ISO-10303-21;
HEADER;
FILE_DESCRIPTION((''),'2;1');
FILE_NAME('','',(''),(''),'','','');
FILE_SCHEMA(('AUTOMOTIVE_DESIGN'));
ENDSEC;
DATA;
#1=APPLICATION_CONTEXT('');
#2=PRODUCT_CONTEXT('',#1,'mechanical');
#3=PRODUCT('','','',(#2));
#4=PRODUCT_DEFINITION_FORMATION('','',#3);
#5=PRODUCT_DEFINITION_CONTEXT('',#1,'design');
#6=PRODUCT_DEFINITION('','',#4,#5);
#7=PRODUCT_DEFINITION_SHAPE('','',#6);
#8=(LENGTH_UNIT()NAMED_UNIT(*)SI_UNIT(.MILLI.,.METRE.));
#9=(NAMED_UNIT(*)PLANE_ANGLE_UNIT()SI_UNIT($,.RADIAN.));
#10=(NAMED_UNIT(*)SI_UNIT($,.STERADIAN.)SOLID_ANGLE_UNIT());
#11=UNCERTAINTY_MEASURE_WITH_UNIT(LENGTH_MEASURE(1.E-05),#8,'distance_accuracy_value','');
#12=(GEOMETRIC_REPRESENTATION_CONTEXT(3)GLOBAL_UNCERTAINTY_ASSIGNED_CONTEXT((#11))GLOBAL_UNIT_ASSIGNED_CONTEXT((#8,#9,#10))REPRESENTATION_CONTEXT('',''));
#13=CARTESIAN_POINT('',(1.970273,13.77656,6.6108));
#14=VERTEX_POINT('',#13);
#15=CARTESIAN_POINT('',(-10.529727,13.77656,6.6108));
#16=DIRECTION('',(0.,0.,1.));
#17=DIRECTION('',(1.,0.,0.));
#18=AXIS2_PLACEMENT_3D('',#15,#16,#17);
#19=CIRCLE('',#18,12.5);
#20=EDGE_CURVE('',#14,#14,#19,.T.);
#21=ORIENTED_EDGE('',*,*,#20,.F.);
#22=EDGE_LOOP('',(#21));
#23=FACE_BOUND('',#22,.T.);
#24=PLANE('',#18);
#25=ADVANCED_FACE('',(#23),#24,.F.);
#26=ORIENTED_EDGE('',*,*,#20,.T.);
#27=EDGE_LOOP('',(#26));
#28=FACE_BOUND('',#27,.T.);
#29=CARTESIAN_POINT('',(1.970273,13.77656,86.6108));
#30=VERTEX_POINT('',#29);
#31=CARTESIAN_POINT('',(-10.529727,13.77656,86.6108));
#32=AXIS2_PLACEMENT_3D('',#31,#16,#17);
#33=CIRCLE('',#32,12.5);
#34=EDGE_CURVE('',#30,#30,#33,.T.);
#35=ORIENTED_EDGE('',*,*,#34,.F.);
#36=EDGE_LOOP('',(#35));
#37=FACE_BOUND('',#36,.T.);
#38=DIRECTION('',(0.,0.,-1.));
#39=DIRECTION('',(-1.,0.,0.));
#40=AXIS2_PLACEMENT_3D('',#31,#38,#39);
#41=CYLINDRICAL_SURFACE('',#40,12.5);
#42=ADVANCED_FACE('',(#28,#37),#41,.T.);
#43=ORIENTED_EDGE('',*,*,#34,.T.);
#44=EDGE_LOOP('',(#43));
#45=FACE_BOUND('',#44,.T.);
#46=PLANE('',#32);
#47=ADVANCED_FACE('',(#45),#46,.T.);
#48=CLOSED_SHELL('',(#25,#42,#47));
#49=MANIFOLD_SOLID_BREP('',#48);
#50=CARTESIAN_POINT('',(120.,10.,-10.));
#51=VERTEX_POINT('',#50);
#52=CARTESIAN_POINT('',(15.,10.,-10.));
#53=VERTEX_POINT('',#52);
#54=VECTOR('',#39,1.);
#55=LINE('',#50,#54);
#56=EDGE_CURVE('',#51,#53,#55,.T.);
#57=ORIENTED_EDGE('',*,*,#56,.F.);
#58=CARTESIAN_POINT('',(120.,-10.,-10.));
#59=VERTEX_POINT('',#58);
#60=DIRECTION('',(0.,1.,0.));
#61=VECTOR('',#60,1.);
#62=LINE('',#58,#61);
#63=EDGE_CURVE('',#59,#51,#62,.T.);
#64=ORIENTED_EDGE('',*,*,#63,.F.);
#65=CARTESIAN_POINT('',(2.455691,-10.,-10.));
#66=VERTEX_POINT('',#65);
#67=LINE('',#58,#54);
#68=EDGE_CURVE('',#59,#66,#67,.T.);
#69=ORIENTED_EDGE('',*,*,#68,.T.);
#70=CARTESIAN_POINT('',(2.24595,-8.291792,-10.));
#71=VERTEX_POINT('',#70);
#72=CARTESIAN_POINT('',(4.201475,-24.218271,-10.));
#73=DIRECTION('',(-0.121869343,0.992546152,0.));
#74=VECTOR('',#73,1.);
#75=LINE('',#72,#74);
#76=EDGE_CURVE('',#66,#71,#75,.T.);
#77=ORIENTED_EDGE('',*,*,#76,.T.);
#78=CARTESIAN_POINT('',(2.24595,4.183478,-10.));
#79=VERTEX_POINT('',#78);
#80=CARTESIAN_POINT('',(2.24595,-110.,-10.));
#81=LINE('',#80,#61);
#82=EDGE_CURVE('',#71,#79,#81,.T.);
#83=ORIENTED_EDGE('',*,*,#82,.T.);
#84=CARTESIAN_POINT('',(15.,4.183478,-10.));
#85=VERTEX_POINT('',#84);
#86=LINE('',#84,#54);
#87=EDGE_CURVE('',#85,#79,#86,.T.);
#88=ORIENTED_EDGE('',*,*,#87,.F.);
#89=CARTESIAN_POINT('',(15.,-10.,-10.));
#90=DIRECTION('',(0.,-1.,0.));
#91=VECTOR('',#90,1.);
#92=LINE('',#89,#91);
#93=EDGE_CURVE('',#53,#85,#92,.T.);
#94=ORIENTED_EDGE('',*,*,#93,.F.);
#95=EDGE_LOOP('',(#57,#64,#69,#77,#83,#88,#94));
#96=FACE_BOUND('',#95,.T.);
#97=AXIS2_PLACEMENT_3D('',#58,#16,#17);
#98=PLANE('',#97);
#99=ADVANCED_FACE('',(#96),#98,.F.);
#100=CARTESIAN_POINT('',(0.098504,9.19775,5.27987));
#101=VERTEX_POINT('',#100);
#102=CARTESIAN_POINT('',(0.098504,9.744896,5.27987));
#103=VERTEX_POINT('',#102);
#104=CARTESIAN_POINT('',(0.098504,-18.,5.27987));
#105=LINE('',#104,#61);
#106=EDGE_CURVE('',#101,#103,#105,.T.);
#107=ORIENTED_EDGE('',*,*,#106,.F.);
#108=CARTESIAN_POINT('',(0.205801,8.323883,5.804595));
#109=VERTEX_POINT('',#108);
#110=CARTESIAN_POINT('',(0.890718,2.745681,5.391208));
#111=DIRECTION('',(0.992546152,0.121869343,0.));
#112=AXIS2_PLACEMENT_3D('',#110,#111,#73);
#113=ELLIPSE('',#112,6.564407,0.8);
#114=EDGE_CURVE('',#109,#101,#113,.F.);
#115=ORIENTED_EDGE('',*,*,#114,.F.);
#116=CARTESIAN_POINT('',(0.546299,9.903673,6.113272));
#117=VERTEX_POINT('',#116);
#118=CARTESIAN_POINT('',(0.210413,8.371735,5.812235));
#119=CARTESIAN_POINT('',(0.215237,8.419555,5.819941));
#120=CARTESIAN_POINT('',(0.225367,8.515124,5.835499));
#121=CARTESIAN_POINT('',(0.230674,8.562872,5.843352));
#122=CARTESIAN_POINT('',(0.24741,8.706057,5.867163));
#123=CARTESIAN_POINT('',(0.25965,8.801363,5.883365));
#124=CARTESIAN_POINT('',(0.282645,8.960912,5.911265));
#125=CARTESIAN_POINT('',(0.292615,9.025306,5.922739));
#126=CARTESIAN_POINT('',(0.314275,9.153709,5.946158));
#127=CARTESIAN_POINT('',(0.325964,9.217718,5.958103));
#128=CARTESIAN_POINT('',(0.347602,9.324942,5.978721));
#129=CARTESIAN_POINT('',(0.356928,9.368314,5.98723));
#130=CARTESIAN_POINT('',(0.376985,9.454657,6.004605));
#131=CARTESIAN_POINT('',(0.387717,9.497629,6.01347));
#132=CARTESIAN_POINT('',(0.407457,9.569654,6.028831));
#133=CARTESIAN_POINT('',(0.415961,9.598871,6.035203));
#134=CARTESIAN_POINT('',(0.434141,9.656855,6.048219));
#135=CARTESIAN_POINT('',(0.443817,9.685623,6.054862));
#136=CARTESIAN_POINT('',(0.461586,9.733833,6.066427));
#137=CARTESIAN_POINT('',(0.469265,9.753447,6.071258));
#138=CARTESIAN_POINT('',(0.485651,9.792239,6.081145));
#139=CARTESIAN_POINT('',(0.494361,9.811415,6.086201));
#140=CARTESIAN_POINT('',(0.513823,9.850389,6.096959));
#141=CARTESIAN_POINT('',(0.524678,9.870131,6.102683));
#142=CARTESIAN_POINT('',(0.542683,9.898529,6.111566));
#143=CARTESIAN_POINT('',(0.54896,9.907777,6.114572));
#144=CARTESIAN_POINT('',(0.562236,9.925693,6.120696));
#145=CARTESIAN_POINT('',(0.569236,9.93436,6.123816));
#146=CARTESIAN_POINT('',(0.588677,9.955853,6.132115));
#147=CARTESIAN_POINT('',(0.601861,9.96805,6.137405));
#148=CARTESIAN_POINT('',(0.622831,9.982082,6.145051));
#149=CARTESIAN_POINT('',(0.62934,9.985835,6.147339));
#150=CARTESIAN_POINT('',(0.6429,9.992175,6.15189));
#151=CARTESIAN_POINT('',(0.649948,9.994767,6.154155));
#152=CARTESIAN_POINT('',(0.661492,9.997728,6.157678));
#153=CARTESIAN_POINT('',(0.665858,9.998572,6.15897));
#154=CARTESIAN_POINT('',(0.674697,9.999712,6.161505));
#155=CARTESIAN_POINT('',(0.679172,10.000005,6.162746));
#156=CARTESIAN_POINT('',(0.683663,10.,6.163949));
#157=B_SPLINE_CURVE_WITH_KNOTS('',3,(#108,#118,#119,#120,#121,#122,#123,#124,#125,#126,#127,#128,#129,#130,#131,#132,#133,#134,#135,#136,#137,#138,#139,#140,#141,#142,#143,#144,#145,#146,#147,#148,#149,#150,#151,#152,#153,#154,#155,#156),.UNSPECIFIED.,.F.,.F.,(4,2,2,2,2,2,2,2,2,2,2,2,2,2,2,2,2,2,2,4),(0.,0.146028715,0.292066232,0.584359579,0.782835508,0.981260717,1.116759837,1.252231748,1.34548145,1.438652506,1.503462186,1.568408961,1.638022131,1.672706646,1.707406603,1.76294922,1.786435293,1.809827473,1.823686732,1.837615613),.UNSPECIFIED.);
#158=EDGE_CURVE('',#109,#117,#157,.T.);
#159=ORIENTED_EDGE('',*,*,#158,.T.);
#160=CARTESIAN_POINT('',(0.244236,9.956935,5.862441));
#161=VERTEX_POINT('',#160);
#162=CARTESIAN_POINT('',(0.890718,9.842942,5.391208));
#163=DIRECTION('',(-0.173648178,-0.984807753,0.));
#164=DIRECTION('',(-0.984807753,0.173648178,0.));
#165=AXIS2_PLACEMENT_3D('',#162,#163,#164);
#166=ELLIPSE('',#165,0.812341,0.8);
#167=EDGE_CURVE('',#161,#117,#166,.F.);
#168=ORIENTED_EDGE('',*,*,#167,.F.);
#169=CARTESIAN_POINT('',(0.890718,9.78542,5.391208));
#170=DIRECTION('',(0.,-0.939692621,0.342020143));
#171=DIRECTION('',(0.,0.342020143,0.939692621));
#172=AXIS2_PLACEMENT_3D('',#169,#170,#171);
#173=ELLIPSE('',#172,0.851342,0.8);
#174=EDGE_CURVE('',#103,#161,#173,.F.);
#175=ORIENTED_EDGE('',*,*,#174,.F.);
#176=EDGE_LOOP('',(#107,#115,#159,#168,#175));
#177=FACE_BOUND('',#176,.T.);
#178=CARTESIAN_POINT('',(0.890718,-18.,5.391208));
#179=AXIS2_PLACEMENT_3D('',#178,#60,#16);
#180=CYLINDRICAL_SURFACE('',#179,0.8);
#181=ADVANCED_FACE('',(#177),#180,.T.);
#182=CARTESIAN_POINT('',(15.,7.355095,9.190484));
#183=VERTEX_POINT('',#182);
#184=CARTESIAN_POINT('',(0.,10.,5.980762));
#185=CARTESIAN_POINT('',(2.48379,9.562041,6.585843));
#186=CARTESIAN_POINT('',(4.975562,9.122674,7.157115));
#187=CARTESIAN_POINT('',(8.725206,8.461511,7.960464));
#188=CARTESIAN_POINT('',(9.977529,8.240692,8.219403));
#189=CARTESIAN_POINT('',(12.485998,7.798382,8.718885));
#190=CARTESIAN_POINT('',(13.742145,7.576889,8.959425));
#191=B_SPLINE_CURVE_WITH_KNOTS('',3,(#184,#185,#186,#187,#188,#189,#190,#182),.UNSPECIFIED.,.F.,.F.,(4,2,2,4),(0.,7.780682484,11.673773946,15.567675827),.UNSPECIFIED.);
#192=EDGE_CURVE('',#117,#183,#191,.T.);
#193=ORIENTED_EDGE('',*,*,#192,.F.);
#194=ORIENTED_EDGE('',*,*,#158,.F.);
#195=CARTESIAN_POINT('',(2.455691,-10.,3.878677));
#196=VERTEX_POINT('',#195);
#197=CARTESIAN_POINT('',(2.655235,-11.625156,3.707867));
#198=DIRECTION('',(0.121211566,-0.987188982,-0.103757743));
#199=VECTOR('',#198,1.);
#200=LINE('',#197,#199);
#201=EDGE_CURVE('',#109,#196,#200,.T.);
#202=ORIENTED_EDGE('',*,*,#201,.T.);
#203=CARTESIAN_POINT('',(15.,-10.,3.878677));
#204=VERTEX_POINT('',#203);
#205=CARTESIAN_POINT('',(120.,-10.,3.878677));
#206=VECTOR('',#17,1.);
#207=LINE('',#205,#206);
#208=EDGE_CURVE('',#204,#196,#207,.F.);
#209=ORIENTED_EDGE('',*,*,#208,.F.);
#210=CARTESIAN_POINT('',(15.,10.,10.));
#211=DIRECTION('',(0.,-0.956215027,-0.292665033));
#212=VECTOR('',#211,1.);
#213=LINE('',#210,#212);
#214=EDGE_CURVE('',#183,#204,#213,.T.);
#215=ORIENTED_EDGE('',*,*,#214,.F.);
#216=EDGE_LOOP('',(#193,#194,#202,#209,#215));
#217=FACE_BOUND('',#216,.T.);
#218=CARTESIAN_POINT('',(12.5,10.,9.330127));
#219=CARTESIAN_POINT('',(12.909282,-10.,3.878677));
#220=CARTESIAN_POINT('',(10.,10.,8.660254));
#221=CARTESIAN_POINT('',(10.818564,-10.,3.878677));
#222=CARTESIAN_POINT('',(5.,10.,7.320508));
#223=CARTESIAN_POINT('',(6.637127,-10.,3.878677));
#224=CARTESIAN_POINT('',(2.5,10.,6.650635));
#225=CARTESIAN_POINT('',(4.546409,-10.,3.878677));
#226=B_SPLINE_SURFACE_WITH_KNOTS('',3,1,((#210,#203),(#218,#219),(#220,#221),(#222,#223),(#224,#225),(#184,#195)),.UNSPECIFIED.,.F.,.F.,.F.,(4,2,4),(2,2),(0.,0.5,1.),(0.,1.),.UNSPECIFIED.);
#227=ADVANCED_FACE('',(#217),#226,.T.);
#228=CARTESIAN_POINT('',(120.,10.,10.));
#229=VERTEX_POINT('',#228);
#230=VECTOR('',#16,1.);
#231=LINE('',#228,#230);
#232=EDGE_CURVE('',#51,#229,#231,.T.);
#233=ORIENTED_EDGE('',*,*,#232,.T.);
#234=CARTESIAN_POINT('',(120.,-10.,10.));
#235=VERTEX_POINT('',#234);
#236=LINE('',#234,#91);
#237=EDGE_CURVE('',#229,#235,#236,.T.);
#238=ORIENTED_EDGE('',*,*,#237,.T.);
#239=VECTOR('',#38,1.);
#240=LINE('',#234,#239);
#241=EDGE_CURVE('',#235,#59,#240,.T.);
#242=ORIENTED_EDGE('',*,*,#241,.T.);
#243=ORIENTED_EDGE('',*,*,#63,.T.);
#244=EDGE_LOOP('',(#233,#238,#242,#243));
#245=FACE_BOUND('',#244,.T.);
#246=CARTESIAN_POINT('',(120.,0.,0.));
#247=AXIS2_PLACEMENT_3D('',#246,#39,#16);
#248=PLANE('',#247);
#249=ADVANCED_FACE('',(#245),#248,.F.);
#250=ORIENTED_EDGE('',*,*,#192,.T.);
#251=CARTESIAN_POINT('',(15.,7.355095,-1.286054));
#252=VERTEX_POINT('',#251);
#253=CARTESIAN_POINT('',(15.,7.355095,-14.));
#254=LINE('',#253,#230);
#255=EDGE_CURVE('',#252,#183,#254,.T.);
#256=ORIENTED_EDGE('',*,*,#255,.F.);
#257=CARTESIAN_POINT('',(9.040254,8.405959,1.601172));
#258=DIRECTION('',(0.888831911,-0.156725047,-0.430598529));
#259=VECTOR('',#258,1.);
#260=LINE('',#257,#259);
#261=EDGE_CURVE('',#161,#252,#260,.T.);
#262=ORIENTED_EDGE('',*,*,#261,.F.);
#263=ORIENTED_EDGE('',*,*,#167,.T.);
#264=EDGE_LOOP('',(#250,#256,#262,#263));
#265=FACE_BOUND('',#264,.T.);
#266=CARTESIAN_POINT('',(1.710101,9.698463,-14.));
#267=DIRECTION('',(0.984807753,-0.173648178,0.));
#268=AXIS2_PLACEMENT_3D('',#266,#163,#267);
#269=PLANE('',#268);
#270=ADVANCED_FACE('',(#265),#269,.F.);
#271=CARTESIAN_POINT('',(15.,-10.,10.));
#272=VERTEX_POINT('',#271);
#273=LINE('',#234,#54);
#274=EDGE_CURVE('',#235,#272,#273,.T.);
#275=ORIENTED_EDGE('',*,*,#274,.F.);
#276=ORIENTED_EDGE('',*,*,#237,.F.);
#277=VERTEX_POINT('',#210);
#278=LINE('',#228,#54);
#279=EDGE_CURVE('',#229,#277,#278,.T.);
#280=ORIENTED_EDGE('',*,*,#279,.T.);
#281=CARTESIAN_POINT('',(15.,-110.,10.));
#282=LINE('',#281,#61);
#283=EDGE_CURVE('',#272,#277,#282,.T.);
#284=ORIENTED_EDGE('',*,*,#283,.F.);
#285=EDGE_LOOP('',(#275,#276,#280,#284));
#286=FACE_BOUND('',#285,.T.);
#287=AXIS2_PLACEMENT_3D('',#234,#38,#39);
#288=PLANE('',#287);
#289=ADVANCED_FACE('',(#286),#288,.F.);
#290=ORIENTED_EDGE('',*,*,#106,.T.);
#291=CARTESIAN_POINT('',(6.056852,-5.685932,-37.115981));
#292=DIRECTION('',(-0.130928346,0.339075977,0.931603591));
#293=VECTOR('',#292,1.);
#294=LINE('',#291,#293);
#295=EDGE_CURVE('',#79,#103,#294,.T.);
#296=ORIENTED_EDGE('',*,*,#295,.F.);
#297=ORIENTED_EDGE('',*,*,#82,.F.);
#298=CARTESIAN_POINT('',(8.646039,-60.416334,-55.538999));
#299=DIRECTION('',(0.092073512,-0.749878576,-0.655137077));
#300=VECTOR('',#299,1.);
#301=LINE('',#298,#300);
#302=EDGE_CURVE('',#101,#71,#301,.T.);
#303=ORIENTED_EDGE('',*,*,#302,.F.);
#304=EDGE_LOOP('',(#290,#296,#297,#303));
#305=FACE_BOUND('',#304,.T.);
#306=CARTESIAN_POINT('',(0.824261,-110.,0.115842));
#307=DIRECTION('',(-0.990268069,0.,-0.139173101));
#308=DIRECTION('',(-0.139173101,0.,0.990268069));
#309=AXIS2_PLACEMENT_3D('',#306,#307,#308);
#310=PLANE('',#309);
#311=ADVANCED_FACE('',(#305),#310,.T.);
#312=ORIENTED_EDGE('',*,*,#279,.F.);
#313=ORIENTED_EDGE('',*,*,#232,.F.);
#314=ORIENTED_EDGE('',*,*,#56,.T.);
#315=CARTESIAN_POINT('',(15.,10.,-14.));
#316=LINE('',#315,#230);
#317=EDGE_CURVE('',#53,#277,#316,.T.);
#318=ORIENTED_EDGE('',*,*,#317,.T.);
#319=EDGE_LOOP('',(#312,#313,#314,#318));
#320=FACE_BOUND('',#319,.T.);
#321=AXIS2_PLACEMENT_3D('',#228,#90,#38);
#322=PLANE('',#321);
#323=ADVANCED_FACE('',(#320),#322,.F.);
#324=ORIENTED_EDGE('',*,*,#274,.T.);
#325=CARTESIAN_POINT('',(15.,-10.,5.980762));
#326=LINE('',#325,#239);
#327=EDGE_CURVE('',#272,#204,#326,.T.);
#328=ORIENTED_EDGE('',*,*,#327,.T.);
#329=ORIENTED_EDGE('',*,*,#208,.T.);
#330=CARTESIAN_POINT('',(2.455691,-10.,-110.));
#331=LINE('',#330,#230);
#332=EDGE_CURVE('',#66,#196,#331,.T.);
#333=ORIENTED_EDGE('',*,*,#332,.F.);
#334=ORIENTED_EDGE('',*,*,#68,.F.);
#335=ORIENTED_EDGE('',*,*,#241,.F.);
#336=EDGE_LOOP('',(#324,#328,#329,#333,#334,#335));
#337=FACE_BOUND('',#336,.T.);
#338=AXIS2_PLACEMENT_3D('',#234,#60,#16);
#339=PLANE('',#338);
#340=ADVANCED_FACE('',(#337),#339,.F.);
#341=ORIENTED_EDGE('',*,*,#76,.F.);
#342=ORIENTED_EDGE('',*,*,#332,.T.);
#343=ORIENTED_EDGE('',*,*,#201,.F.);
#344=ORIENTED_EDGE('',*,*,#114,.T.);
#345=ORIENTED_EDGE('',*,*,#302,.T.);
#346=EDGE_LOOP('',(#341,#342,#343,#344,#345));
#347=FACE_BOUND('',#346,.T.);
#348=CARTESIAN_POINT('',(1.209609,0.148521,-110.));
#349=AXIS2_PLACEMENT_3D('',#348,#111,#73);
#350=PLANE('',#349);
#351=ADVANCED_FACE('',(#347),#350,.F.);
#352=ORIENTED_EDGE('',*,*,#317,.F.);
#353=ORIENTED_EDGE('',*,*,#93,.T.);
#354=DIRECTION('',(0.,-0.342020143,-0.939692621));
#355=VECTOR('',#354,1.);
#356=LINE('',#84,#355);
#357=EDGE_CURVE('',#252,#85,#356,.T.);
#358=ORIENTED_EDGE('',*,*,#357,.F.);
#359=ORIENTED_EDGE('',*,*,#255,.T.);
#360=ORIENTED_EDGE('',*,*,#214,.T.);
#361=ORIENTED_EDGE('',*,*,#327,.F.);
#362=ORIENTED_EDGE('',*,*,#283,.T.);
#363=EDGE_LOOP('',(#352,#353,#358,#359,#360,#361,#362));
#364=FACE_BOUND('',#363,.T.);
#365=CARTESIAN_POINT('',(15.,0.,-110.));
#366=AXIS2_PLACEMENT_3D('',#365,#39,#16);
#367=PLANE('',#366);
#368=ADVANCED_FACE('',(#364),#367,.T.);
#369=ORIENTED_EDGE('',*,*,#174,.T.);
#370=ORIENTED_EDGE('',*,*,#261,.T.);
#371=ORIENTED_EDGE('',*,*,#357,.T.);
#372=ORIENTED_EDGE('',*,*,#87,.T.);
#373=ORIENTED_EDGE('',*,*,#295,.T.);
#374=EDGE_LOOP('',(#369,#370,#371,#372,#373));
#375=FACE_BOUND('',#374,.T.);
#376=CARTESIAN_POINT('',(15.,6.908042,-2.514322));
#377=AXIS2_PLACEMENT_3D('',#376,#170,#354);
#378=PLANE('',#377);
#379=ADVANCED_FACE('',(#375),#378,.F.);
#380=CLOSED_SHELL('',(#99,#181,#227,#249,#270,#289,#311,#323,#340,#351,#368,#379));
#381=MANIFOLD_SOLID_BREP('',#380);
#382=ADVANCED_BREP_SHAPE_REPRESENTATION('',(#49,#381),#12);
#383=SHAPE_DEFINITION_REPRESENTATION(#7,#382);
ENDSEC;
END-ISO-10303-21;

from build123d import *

# Parameters (mm, degrees)
SKETCH1_W           = 20
SKETCH1_H           = 20
BOSS_EXTRUDE1_DEPTH = 120
CUT_EXTRUDE1_DEPTH  = 120
CUT_EXTRUDE2_DEPTH  = 120
CUT_EXTRUDE7_DEPTH  = 15
CUT_EXTRUDE9_DEPTH  = 28
CUT_EXTRUDE10_DEPTH = 15
SKETCH6_12_W        = 4.019237886
SKETCH6_12_H        = 20
CUT_EXTRUDE12_DEPTH = 15
CUT_EXTRUDE14_DEPTH = 24
CUT_EXTRUDE15_DEPTH = 15
CUT_EXTRUDE13_DEPTH = 24
SKETCH14_R          = 12.5
BOSS_EXTRUDE2_DEPTH = 80


with BuildPart() as part:
    # Sketch1 → Boss-Extrude1 (new body)
    with BuildSketch(Plane(origin=(0, 0, 0), x_dir=(0, 0, -1), z_dir=(1, 0, 0))):
        Rectangle(SKETCH1_W, SKETCH1_H)
    extrude(amount=BOSS_EXTRUDE1_DEPTH)

    # Sketch4 → Cut-Extrude1 (cut)
    with BuildSketch(Plane(origin=(0, 10, 0), x_dir=(1, 0, 0), z_dir=(0, 1, 0))):
        Polygon((15, -10), (0, -5.980762114), (0, -10), align=None)
        Polygon((0, 10), (0, -5.980762114), (2.245949647, 10), align=None)
    extrude(amount=-CUT_EXTRUDE1_DEPTH, mode=Mode.SUBTRACT)

    # Sketch5 → Cut-Extrude2 (cut)
    with BuildSketch(Plane.XY.offset(10)):
        Polygon((15, 10), (0, 10), (15, 7.355095289), align=None)
        Polygon((2.455691218, -10), (0, 10), (0, -10), align=None)
    extrude(amount=-CUT_EXTRUDE2_DEPTH, mode=Mode.SUBTRACT)

    # Sketch6 → Cut-Extrude7 (cut)
    with BuildSketch(Plane(origin=(0, 0, 0), x_dir=(0, 0, -1), z_dir=(1, 0, 0))):
        Polygon((10, 10), (-5.980762114, 10), (10, 4.18347827), align=None)
    extrude(amount=CUT_EXTRUDE7_DEPTH, mode=Mode.SUBTRACT)

    # Sketch7 → Cut-Extrude9 (cut)
    with BuildSketch(Plane(origin=(0, 10, 0), x_dir=(1, 0, 0), z_dir=(0, 1, 0))):
        with BuildLine():
            Line((15, -10), (0.683663186, -6.163949112))
            ThreePointArc((0.683663186, -6.163949112), (0.223609764, -5.832758039), (0.098503967, -5.27986997))
            Line((0.098503967, -5.27986997), (2.245949647, 10))
            Line((2.245949647, 10), (-4.807920497, 10))
            Line((-4.807920497, 10), (-4.807920497, -10))
            Line((-4.807920497, -10), (15, -10))
        make_face()
    extrude(amount=-CUT_EXTRUDE9_DEPTH, mode=Mode.SUBTRACT)

    # Sketch6<9> → Cut-Extrude10 (cut)
    with BuildSketch(Plane(origin=(0, 0, 0), x_dir=(0, 0, -1), z_dir=(1, 0, 0))):
        Polygon((-5.980762114, 10), (-5.980762114, -10), (-3.878677408, -10), align=None)
    extrude(amount=CUT_EXTRUDE10_DEPTH, mode=Mode.SUBTRACT)

    # Sketch6<12> → Cut-Extrude12 (cut)
    with BuildSketch(Plane(origin=(0, 0, 0), x_dir=(0, 0, -1), z_dir=(1, 0, 0))):
        with Locations((-7.990381057, 0)):
            Rectangle(SKETCH6_12_W, SKETCH6_12_H)
    extrude(amount=CUT_EXTRUDE12_DEPTH, mode=Mode.SUBTRACT)

    # Sketch10 → Loft1 section 0
    with BuildSketch(Plane(origin=(0, 10, 0), x_dir=(1, 0, 0), z_dir=(0, 1, 0))):
        with BuildLine():
            Line((15, -10), (0, -5.980762114))
            Line((0, -5.980762114), (2.245949647, 10))
            Line((2.245949647, 10), (15, 10))
            Line((15, 10), (15, -10))
        make_face()
    # Sketch9 → Loft1 section 1
    with BuildSketch(Plane.XZ.offset(10)):
        with BuildLine():
            Line((2.455691218, -10), (2.455691218, 3.878677408))
            Line((2.455691218, 3.878677408), (15, 3.878677408))
            Line((15, 3.878677408), (15, -10))
            Line((15, -10), (2.455691218, -10))
        make_face()
    loft()

    # Sketch12 → Cut-Extrude14 (cut)
    with BuildSketch(Plane.XY.offset(10)):
        Polygon((15, 10), (0, 10), (15, 7.355095289), align=None)
        Polygon((2.455691218, -10), (0, 10), (0, -10), align=None)
    extrude(amount=-CUT_EXTRUDE14_DEPTH, mode=Mode.SUBTRACT)

    # Sketch13 → Cut-Extrude15 (cut)
    with BuildSketch(Plane(origin=(0, 0, 0), x_dir=(0, 0, -1), z_dir=(1, 0, 0))):
        Polygon((-5.980762114, 10), (10, 10), (10, 4.18347827), align=None)
    extrude(amount=CUT_EXTRUDE15_DEPTH, mode=Mode.SUBTRACT)

    # Sketch11 → Cut-Extrude13 (cut)
    with BuildSketch(Plane(origin=(0, 10, 0), x_dir=(1, 0, 0), z_dir=(0, 1, 0))):
        with BuildLine():
            Line((15, -10), (0.683663186, -6.163949112))
            ThreePointArc((0.683663186, -6.163949112), (0.223609764, -5.832758039), (0.098503967, -5.27986997))
            Line((0.098503967, -5.27986997), (2.248976463, 10.021536917))
            Line((2.248976463, 10.021536917), (0, 10.021536917))
            Line((0, 10.021536917), (0, -10))
            Line((0, -10), (15, -10))
        make_face()
    extrude(amount=-CUT_EXTRUDE13_DEPTH, mode=Mode.SUBTRACT)


with BuildPart() as body_2:
    # Sketch14 → Boss-Extrude2 (new body)
    with BuildSketch(Plane(origin=(1.880253322, 0, 10), x_dir=(1, 0, 0), z_dir=(0, 0, 1))):
        with Locations((-12.409980622, 13.776560467)):
            Circle(SKETCH14_R)
    extrude(amount=BOSS_EXTRUDE2_DEPTH)


with BuildPart() as body_2_1:
    # Body-Move/Copy1: moved
    add(body_2.part.moved(Location((0, 0, -3.389199925))))


solid = Compound([part.part, body_2_1.part])
